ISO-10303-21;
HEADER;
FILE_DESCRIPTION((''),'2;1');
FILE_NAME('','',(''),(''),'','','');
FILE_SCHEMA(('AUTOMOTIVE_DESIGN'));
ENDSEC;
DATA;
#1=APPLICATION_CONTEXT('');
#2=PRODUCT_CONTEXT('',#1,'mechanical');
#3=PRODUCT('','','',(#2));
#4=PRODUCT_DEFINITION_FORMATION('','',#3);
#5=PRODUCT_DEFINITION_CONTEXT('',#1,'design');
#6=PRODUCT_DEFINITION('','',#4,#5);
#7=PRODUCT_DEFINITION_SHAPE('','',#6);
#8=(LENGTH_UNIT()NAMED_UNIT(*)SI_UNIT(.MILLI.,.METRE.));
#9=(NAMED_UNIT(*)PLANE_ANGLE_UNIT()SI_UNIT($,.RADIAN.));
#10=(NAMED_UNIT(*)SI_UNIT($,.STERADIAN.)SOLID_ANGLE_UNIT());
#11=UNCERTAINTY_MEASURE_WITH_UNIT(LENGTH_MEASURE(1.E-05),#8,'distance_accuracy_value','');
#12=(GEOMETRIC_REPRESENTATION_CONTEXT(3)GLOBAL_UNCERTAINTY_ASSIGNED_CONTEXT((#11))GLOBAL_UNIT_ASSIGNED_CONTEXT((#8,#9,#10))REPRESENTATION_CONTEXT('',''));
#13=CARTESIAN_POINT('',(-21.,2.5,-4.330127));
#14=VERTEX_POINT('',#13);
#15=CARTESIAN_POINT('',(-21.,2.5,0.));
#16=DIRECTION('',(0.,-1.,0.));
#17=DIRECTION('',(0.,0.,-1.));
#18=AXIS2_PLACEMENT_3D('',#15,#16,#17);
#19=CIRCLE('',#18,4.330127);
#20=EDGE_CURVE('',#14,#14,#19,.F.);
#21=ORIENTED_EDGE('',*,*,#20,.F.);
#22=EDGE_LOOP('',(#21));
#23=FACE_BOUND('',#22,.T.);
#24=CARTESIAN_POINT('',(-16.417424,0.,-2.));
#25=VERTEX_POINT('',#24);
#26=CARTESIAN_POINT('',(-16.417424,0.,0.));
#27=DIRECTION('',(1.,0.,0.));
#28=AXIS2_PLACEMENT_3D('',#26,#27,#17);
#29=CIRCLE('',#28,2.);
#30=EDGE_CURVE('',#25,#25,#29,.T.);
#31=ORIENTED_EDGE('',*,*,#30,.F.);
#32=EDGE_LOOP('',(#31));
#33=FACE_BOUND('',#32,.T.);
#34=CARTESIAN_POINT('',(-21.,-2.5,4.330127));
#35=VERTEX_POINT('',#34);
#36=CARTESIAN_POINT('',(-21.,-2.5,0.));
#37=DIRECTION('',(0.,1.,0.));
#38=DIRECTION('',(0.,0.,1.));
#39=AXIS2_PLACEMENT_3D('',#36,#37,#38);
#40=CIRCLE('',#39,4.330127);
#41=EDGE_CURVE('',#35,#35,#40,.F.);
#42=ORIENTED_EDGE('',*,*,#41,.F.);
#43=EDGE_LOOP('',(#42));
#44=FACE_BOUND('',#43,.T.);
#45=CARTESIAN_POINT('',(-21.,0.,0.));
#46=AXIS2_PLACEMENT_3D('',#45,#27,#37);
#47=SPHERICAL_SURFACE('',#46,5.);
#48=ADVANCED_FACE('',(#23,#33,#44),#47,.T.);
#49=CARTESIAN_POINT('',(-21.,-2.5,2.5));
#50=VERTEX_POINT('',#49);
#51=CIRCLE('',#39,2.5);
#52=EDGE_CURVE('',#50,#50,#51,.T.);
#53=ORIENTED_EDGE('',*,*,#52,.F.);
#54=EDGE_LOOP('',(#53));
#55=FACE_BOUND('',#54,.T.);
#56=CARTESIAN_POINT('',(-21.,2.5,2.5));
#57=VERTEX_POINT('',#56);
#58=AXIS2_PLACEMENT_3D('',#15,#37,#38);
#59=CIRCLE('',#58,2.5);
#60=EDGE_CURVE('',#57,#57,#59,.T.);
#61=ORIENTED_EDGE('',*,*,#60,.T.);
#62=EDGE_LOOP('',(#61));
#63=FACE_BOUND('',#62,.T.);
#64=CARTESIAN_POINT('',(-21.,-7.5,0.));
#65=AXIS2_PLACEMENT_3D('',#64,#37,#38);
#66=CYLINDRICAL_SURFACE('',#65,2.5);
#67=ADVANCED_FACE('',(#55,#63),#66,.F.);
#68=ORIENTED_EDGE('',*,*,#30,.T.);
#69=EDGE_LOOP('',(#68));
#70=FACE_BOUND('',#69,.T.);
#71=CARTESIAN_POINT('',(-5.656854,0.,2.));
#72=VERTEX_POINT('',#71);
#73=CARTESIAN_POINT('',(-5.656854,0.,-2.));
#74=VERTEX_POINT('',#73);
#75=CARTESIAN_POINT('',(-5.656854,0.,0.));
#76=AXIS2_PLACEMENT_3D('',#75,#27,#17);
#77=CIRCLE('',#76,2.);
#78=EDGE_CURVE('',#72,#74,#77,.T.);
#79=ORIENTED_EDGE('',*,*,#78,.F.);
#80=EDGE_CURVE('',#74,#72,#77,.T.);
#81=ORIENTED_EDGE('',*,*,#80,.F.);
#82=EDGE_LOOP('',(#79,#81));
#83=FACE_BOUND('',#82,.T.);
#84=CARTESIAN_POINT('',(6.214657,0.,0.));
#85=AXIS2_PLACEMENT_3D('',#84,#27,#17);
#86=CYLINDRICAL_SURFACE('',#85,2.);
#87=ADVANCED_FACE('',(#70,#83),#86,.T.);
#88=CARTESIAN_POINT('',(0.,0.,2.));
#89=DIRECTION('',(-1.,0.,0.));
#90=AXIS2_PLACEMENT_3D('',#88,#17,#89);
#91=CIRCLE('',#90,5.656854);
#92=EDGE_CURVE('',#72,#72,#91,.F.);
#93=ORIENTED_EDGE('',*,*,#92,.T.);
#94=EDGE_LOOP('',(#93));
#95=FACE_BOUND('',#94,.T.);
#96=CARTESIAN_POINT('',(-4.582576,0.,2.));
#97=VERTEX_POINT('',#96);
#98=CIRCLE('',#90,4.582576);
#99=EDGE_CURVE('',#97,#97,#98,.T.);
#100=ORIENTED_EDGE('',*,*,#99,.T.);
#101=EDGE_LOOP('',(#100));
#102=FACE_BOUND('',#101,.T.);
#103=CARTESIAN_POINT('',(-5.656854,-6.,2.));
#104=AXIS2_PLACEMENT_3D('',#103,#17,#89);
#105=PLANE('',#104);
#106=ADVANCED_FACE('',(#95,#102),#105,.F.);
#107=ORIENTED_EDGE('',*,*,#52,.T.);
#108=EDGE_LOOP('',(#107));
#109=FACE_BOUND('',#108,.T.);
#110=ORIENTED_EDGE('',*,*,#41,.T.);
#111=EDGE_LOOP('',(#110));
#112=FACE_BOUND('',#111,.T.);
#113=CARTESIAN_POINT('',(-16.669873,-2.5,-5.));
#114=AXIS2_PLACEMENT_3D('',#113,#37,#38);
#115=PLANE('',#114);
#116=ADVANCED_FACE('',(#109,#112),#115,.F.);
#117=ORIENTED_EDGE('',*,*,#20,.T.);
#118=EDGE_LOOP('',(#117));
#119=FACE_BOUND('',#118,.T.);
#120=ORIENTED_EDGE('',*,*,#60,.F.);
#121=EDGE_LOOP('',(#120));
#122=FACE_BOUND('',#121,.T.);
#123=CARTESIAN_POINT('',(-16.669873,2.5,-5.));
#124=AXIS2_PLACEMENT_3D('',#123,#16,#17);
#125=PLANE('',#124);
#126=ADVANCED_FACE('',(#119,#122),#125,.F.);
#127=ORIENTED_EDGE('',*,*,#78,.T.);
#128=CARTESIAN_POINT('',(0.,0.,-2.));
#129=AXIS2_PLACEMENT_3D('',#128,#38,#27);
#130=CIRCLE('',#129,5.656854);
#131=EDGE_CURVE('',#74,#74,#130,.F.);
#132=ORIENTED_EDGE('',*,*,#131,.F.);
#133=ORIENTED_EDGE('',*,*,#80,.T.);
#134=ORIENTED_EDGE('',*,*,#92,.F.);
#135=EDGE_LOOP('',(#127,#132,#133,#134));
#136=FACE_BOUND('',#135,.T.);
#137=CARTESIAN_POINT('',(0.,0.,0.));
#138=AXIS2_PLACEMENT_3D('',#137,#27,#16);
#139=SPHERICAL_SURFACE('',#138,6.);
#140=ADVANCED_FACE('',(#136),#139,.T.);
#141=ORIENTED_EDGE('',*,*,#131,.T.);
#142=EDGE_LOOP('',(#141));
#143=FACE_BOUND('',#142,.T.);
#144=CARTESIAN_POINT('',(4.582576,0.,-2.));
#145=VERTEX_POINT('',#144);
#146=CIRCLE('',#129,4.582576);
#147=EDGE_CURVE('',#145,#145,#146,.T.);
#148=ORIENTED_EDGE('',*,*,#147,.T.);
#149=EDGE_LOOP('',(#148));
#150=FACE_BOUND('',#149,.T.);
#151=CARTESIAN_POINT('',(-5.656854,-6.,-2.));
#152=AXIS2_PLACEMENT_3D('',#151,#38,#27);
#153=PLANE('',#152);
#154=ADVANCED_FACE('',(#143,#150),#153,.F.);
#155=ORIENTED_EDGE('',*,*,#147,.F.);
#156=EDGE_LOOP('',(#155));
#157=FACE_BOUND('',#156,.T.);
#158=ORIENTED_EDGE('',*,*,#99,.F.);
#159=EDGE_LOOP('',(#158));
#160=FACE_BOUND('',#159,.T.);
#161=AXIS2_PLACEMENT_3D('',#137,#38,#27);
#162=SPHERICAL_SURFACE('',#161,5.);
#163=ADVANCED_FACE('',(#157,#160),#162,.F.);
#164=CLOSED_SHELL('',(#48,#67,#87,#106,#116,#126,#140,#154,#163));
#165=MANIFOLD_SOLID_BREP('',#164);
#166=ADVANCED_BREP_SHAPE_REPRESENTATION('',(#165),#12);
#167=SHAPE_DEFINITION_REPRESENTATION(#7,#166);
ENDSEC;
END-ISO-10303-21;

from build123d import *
from build123d.topology import SkipClean

# Parameters (mm, degrees)
CUT_EXTRUDE1_DEPTH      = 5
SKETCH3_R               = 2.5
CUT_EXTRUDE2_DEPTH      = 10
CUT_EXTRUDE4_DEPTH      = 28.349589
CUT_EXTRUDE4_DEPTH_BACK = 28.349589
CUT_EXTRUDE5_REACH      = 29.586
SKETCH5_R               = 4.5


with BuildPart() as part:
    # Sketch1 → Revolve1 (revolve)
    with BuildSketch(Plane.XY, mode=Mode.PRIVATE) as revolve1_sk:
        with BuildLine():
            Line((6, 0), (-26, 0))
            ThreePointArc((-26, 0), (-22.021548, 4.894532), (-16.417424, 2))
            Line((-16.417424, 2), (-5.656854, 2))
            ThreePointArc((-5.656854, 2), (1.014612, 5.913591), (6, 0))
        make_face()
    revolve(revolve1_sk.sketch.rotate(Axis((6.214657, 0, 0), (-1, 0, 0)), 90), axis=Axis((6.214657, 0, 0), (-1, 0, 0)))

    # Sketch2 → Cut-Extrude1 (cut, symmetric)
    with SkipClean():  # the faces are left unmerged after this step: merging them gives an invalid solid
        with BuildSketch(Plane.XY):
            with BuildLine():
                Line((-16.669873, 2.5), (-25.330127, 2.5))
                ThreePointArc((-25.330127, 2.5), (-21, 5), (-16.669873, 2.5))
            make_face()
            with BuildLine():
                Line((-16.669873, -2.5), (-25.330127, -2.5))
                ThreePointArc((-25.330127, -2.5), (-21, -5), (-16.669873, -2.5))
            make_face()
        extrude(amount=CUT_EXTRUDE1_DEPTH, both=True, mode=Mode.SUBTRACT)

    # Sketch3 → Cut-Extrude2 (cut)
    with SkipClean():  # the faces are left unmerged after this step: merging them gives an invalid solid
        with BuildSketch(Plane(origin=(0, 2.5, 0), x_dir=(1, 0, 0), z_dir=(0, 1, 0))):
            with Locations(Location((-21, 0, 0), (0, 0, 270))):
                Circle(SKETCH3_R)
        extrude(amount=-CUT_EXTRUDE2_DEPTH, mode=Mode.SUBTRACT)

    # Sketch4 → Cut-Extrude4 (cut, two sides: drawn at the far end of the back side and taken through both)
    with SkipClean():  # the faces are left unmerged after this step: merging them gives an invalid solid
        with BuildSketch(Plane(origin=(0, 0, 0), x_dir=(1, 0, 0), z_dir=(0, 1, 0)).offset(-CUT_EXTRUDE4_DEPTH_BACK)):
            with BuildLine():
                Line((-5.656854, 2), (5.656854, 2))
                ThreePointArc((5.656854, 2), (0, 6), (-5.656854, 2))
            make_face()
            with BuildLine():
                Line((-5.656854, -2), (5.656854, -2))
                ThreePointArc((5.656854, -2), (0, -6), (-5.656854, -2))
            make_face()
        extrude(amount=CUT_EXTRUDE4_DEPTH + CUT_EXTRUDE4_DEPTH_BACK, mode=Mode.SUBTRACT)

    # Sketch5 → Cut-Extrude5 (cut, up to next)
    with BuildSketch(Plane(origin=(0, 0, -2), x_dir=(-1, 0, 0), z_dir=(0, 0, -1)), mode=Mode.PRIVATE) as cut_extrude5_sk1:
        Circle(SKETCH5_R)
    cut_extrude5_tool1 = extrude(cut_extrude5_sk1.sketch, amount=-CUT_EXTRUDE5_REACH, mode=Mode.PRIVATE) & part.part
    add(cut_extrude5_tool1.solids().sort_by_distance((0, 0, -2))[0], mode=Mode.SUBTRACT)

    # Sketch6 → Cut-Revolve1 (revolve, cut)
    with SkipClean():  # the faces are left unmerged after this step: merging them gives an invalid solid
        with BuildSketch(Plane.XY):
            with BuildLine():
                Line((0, 5), (0, -5))
                ThreePointArc((0, -5), (-5, 0), (0, 5))
            make_face()
        revolve(axis=Axis((0, 8.612845, 0), (0, -1, 0)), mode=Mode.SUBTRACT)


solid = part.part
